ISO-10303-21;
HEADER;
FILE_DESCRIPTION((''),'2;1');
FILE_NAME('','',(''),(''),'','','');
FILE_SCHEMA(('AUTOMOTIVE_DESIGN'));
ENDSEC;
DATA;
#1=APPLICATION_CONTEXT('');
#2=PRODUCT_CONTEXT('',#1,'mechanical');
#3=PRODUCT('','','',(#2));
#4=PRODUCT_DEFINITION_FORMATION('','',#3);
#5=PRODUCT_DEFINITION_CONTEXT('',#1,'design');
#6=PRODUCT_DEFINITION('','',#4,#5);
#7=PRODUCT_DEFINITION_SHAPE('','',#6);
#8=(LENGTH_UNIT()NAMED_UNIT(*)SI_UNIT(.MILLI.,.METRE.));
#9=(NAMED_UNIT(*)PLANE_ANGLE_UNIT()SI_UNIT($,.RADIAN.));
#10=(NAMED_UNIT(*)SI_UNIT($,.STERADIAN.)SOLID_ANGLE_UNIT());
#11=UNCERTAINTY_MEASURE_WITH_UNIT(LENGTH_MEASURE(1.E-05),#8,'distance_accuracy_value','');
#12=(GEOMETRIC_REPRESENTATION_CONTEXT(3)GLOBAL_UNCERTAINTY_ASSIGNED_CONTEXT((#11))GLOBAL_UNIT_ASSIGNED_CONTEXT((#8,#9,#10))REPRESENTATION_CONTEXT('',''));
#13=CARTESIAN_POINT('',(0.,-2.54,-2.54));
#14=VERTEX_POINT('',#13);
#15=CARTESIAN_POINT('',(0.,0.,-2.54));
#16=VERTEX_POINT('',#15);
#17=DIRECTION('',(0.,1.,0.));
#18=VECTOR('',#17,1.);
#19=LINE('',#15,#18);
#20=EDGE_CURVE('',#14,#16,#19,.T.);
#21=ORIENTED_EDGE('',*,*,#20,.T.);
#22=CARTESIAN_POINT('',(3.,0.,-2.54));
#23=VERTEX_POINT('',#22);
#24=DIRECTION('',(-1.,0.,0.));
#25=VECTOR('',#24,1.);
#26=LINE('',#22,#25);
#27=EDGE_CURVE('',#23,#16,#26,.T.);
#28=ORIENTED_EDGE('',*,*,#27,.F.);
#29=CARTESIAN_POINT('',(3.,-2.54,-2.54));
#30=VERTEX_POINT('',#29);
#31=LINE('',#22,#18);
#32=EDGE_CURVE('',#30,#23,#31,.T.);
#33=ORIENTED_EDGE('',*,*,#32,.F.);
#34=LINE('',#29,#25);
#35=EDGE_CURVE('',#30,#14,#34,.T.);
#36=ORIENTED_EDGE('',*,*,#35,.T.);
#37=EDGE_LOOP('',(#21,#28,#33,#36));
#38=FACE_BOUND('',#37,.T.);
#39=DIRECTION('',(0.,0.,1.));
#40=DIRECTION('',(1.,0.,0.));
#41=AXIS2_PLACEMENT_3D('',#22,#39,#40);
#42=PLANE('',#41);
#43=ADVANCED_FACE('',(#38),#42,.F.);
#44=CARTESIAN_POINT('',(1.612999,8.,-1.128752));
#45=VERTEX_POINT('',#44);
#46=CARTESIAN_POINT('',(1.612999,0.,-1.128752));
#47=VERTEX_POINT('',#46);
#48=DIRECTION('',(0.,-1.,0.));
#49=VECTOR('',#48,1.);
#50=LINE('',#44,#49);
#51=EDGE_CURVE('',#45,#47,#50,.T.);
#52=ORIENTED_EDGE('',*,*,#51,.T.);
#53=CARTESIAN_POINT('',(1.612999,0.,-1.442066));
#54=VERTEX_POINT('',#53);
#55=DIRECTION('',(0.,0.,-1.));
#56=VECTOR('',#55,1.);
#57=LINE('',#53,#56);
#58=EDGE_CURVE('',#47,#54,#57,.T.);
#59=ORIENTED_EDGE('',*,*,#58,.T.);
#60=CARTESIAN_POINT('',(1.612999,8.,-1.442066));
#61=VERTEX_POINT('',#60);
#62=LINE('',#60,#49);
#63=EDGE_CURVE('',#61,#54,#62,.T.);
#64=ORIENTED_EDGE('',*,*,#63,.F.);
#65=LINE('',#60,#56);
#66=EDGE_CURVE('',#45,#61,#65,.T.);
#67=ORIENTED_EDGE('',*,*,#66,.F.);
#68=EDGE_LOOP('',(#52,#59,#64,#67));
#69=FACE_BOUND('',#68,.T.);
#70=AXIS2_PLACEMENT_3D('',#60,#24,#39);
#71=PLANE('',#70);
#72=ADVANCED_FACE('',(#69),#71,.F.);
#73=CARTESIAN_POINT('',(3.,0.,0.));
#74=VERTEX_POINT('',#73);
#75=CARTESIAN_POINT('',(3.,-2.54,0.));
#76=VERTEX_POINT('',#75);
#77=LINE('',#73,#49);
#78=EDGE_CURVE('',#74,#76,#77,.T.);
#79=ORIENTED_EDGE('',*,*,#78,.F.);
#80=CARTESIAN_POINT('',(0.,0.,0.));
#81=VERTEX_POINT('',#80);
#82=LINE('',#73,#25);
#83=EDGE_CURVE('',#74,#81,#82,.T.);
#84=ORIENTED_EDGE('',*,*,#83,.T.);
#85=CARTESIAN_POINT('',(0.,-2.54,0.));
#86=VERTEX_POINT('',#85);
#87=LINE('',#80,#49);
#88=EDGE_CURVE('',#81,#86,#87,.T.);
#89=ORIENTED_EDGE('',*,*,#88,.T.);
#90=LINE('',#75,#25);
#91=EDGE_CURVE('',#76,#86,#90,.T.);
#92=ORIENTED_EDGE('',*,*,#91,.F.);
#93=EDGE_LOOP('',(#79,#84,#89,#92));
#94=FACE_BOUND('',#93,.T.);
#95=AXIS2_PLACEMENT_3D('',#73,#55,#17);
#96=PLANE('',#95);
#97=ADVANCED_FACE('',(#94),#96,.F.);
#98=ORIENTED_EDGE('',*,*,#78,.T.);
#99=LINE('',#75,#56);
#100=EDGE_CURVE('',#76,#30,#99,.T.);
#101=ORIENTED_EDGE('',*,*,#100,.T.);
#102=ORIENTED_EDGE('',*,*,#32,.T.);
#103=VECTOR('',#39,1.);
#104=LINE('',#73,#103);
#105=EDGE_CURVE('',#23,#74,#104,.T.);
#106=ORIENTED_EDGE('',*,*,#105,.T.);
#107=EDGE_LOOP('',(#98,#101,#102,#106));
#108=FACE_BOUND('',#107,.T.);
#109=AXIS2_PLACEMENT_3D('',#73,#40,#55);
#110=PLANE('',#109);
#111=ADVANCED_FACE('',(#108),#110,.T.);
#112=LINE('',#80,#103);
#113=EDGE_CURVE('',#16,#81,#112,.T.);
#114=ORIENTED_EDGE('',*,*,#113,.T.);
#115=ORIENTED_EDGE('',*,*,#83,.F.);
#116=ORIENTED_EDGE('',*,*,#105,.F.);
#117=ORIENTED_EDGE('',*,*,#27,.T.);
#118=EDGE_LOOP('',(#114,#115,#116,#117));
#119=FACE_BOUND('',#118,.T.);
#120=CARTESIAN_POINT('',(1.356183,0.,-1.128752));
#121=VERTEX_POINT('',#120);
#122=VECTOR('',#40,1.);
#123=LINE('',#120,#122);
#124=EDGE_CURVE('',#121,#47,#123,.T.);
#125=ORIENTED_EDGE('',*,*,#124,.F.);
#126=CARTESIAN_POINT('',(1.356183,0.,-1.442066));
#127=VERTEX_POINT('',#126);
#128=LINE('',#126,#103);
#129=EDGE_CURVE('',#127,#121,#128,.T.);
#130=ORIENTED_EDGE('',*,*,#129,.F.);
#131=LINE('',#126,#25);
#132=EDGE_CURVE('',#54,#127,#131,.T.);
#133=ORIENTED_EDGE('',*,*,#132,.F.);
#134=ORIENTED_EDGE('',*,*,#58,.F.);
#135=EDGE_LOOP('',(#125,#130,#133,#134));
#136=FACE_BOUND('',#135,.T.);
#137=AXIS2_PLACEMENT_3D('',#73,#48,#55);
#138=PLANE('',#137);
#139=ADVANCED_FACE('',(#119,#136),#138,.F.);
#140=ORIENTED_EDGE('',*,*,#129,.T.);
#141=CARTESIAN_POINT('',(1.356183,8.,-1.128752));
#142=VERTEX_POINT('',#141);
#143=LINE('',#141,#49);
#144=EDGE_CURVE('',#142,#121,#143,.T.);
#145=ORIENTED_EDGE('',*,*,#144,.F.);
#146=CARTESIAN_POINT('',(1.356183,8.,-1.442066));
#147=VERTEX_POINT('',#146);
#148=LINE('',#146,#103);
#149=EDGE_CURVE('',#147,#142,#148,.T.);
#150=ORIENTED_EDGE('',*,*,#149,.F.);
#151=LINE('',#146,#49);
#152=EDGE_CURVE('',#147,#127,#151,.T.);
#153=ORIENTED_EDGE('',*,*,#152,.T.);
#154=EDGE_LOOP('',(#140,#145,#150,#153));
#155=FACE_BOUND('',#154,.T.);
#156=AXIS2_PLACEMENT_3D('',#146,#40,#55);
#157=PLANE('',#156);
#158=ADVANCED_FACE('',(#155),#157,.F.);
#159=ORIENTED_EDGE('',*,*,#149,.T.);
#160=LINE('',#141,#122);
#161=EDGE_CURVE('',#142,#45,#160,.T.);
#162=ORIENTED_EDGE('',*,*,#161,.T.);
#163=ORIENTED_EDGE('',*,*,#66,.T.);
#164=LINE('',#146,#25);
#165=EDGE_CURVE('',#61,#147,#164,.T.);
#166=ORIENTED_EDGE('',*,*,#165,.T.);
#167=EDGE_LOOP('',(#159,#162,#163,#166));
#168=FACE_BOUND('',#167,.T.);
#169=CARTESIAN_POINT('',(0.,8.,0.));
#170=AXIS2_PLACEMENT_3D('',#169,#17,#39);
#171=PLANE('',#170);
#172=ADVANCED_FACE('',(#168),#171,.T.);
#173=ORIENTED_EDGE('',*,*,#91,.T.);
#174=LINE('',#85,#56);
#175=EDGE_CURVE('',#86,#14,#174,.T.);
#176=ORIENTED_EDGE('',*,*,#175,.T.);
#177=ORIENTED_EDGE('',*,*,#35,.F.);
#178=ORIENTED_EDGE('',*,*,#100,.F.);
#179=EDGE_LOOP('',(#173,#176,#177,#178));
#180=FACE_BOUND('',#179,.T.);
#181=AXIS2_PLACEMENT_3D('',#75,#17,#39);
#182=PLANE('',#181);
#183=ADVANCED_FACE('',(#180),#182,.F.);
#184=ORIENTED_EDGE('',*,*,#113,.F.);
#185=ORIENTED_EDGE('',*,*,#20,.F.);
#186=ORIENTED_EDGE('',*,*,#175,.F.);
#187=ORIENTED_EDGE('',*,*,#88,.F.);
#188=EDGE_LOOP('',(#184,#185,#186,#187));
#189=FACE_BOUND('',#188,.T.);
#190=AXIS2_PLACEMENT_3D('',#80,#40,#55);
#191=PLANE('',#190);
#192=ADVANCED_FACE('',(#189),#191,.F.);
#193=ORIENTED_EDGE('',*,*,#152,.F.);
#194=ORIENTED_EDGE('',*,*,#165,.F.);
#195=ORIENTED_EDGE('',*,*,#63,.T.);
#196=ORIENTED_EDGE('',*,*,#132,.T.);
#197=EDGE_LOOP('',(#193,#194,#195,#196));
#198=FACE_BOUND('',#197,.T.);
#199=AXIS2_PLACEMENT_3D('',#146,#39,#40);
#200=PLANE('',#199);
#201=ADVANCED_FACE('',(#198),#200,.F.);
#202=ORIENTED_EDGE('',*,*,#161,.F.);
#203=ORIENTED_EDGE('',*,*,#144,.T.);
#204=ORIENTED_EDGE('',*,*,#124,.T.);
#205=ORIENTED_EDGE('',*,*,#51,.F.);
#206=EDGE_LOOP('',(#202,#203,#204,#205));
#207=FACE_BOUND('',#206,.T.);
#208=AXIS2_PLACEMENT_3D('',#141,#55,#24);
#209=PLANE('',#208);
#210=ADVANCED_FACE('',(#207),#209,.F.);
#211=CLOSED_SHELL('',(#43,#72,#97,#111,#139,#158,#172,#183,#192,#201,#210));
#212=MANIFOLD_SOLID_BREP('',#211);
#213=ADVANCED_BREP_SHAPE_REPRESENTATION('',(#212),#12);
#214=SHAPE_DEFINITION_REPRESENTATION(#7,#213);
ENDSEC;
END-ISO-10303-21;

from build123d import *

# Parameters (mm, degrees)
SKETCH_1_W      = 2.54
SKETCH_1_H      = 2.54
EXTRUDE_1_DEPTH = 3
SKETCH_2_W      = 0.256815191
SKETCH_2_H      = 0.313314533
EXTRUDE_2_DEPTH = 8


with BuildPart() as part:
    # 草图1 → 凸台-拉伸1 (new body)
    with BuildSketch(Plane(origin=(0, 0, 0), x_dir=(0, 0, -1), z_dir=(1, 0, 0))):
        with Locations((1.27, -1.27)):
            Rectangle(SKETCH_1_W, SKETCH_1_H)
    extrude(amount=EXTRUDE_1_DEPTH)

    # 草图2 → 凸台-拉伸2 (add)
    with BuildSketch(Plane(origin=(0, 0, 0), x_dir=(1, 0, 0), z_dir=(0, 1, 0))):
        with Locations((1.484591089, 1.285408912)):
            Rectangle(SKETCH_2_W, SKETCH_2_H)
    extrude(amount=EXTRUDE_2_DEPTH)


solid = part.part
